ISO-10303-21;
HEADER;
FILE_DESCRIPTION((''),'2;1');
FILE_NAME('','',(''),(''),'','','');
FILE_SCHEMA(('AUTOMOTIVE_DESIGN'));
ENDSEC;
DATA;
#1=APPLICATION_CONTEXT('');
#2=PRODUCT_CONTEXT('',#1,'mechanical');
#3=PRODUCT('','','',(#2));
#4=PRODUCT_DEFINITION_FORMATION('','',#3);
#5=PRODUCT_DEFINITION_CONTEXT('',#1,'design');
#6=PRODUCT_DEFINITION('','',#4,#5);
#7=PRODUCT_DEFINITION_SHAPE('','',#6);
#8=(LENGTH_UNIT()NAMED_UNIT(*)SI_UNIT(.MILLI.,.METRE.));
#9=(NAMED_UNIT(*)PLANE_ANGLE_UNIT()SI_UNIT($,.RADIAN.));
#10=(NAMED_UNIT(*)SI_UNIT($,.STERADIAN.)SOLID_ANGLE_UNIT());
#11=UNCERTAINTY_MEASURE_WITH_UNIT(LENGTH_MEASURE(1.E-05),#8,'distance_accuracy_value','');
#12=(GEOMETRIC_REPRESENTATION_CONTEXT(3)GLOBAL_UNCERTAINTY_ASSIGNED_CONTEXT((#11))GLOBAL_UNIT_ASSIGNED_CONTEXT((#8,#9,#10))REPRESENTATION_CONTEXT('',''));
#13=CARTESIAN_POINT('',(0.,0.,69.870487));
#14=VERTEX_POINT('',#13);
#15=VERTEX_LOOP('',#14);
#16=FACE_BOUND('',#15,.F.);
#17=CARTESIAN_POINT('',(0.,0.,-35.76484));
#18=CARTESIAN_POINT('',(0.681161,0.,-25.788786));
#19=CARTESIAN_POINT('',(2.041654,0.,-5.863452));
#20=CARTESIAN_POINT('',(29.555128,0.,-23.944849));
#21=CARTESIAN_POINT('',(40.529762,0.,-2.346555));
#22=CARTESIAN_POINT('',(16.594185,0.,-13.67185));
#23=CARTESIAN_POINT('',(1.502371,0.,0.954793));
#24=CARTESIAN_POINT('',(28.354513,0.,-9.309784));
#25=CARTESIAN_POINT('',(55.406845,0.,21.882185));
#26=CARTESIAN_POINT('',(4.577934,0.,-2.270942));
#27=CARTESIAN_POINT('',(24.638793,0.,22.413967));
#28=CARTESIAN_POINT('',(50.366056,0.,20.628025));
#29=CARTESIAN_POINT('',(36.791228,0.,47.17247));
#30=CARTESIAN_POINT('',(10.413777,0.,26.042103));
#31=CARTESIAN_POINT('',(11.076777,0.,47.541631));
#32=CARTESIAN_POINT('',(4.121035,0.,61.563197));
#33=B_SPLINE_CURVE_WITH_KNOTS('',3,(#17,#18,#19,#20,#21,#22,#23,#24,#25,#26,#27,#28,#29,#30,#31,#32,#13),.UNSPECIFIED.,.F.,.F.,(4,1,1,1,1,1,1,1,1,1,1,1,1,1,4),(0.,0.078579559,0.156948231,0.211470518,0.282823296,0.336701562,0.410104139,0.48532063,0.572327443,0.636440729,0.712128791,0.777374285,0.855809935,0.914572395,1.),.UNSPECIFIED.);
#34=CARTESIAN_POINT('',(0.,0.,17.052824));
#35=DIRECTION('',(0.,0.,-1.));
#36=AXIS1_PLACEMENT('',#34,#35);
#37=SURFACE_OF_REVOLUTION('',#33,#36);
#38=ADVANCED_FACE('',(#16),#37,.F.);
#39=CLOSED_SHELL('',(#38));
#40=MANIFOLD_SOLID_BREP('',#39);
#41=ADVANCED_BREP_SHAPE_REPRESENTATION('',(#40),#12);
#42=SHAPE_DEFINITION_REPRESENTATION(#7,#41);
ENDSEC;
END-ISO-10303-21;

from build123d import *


with BuildPart() as f1:
    # F0 (on Front) → F1 (revolve)
    with BuildSketch(Plane.XZ):
        with BuildLine():
            Line((0, 69.8704868555), (0, -35.7648395002))
            add(Edge.make_bspline(
                [(0, -35.7648395002), (0.6811607014, -25.7887859648), (2.0416540498, -5.8634519719), (29.5551283352, -23.9448489779), (40.5297622981, -2.3465548213), (16.5941850494, -13.671850068), (1.5023711317, 0.9547925491), (28.354513402, -9.3097836723), (55.4068451228, 21.8821847259), (4.5779343667, -2.2709415638), (24.6387928316, 22.4139671456), (50.3660557053, 20.6280252211), (36.7912283184, 47.1724700189), (10.4137765135, 26.0421029646), (11.0767773726, 47.541631435), (4.1210354519, 61.5631965947), (0, 69.8704868555)],
                knots=[0, 0, 0, 0, 0.0785795589, 0.1569482312, 0.2114705176, 0.2828232962, 0.3367015623, 0.4101041386, 0.4853206301, 0.5723274426, 0.6364407295, 0.7121287913, 0.7773742851, 0.8558099348, 0.9145723954, 1, 1, 1, 1], degree=3))
        make_face()
    revolve(axis=Axis((0, 0, 17.0528236777), (0, 0, -1)))


solid = f1.part
